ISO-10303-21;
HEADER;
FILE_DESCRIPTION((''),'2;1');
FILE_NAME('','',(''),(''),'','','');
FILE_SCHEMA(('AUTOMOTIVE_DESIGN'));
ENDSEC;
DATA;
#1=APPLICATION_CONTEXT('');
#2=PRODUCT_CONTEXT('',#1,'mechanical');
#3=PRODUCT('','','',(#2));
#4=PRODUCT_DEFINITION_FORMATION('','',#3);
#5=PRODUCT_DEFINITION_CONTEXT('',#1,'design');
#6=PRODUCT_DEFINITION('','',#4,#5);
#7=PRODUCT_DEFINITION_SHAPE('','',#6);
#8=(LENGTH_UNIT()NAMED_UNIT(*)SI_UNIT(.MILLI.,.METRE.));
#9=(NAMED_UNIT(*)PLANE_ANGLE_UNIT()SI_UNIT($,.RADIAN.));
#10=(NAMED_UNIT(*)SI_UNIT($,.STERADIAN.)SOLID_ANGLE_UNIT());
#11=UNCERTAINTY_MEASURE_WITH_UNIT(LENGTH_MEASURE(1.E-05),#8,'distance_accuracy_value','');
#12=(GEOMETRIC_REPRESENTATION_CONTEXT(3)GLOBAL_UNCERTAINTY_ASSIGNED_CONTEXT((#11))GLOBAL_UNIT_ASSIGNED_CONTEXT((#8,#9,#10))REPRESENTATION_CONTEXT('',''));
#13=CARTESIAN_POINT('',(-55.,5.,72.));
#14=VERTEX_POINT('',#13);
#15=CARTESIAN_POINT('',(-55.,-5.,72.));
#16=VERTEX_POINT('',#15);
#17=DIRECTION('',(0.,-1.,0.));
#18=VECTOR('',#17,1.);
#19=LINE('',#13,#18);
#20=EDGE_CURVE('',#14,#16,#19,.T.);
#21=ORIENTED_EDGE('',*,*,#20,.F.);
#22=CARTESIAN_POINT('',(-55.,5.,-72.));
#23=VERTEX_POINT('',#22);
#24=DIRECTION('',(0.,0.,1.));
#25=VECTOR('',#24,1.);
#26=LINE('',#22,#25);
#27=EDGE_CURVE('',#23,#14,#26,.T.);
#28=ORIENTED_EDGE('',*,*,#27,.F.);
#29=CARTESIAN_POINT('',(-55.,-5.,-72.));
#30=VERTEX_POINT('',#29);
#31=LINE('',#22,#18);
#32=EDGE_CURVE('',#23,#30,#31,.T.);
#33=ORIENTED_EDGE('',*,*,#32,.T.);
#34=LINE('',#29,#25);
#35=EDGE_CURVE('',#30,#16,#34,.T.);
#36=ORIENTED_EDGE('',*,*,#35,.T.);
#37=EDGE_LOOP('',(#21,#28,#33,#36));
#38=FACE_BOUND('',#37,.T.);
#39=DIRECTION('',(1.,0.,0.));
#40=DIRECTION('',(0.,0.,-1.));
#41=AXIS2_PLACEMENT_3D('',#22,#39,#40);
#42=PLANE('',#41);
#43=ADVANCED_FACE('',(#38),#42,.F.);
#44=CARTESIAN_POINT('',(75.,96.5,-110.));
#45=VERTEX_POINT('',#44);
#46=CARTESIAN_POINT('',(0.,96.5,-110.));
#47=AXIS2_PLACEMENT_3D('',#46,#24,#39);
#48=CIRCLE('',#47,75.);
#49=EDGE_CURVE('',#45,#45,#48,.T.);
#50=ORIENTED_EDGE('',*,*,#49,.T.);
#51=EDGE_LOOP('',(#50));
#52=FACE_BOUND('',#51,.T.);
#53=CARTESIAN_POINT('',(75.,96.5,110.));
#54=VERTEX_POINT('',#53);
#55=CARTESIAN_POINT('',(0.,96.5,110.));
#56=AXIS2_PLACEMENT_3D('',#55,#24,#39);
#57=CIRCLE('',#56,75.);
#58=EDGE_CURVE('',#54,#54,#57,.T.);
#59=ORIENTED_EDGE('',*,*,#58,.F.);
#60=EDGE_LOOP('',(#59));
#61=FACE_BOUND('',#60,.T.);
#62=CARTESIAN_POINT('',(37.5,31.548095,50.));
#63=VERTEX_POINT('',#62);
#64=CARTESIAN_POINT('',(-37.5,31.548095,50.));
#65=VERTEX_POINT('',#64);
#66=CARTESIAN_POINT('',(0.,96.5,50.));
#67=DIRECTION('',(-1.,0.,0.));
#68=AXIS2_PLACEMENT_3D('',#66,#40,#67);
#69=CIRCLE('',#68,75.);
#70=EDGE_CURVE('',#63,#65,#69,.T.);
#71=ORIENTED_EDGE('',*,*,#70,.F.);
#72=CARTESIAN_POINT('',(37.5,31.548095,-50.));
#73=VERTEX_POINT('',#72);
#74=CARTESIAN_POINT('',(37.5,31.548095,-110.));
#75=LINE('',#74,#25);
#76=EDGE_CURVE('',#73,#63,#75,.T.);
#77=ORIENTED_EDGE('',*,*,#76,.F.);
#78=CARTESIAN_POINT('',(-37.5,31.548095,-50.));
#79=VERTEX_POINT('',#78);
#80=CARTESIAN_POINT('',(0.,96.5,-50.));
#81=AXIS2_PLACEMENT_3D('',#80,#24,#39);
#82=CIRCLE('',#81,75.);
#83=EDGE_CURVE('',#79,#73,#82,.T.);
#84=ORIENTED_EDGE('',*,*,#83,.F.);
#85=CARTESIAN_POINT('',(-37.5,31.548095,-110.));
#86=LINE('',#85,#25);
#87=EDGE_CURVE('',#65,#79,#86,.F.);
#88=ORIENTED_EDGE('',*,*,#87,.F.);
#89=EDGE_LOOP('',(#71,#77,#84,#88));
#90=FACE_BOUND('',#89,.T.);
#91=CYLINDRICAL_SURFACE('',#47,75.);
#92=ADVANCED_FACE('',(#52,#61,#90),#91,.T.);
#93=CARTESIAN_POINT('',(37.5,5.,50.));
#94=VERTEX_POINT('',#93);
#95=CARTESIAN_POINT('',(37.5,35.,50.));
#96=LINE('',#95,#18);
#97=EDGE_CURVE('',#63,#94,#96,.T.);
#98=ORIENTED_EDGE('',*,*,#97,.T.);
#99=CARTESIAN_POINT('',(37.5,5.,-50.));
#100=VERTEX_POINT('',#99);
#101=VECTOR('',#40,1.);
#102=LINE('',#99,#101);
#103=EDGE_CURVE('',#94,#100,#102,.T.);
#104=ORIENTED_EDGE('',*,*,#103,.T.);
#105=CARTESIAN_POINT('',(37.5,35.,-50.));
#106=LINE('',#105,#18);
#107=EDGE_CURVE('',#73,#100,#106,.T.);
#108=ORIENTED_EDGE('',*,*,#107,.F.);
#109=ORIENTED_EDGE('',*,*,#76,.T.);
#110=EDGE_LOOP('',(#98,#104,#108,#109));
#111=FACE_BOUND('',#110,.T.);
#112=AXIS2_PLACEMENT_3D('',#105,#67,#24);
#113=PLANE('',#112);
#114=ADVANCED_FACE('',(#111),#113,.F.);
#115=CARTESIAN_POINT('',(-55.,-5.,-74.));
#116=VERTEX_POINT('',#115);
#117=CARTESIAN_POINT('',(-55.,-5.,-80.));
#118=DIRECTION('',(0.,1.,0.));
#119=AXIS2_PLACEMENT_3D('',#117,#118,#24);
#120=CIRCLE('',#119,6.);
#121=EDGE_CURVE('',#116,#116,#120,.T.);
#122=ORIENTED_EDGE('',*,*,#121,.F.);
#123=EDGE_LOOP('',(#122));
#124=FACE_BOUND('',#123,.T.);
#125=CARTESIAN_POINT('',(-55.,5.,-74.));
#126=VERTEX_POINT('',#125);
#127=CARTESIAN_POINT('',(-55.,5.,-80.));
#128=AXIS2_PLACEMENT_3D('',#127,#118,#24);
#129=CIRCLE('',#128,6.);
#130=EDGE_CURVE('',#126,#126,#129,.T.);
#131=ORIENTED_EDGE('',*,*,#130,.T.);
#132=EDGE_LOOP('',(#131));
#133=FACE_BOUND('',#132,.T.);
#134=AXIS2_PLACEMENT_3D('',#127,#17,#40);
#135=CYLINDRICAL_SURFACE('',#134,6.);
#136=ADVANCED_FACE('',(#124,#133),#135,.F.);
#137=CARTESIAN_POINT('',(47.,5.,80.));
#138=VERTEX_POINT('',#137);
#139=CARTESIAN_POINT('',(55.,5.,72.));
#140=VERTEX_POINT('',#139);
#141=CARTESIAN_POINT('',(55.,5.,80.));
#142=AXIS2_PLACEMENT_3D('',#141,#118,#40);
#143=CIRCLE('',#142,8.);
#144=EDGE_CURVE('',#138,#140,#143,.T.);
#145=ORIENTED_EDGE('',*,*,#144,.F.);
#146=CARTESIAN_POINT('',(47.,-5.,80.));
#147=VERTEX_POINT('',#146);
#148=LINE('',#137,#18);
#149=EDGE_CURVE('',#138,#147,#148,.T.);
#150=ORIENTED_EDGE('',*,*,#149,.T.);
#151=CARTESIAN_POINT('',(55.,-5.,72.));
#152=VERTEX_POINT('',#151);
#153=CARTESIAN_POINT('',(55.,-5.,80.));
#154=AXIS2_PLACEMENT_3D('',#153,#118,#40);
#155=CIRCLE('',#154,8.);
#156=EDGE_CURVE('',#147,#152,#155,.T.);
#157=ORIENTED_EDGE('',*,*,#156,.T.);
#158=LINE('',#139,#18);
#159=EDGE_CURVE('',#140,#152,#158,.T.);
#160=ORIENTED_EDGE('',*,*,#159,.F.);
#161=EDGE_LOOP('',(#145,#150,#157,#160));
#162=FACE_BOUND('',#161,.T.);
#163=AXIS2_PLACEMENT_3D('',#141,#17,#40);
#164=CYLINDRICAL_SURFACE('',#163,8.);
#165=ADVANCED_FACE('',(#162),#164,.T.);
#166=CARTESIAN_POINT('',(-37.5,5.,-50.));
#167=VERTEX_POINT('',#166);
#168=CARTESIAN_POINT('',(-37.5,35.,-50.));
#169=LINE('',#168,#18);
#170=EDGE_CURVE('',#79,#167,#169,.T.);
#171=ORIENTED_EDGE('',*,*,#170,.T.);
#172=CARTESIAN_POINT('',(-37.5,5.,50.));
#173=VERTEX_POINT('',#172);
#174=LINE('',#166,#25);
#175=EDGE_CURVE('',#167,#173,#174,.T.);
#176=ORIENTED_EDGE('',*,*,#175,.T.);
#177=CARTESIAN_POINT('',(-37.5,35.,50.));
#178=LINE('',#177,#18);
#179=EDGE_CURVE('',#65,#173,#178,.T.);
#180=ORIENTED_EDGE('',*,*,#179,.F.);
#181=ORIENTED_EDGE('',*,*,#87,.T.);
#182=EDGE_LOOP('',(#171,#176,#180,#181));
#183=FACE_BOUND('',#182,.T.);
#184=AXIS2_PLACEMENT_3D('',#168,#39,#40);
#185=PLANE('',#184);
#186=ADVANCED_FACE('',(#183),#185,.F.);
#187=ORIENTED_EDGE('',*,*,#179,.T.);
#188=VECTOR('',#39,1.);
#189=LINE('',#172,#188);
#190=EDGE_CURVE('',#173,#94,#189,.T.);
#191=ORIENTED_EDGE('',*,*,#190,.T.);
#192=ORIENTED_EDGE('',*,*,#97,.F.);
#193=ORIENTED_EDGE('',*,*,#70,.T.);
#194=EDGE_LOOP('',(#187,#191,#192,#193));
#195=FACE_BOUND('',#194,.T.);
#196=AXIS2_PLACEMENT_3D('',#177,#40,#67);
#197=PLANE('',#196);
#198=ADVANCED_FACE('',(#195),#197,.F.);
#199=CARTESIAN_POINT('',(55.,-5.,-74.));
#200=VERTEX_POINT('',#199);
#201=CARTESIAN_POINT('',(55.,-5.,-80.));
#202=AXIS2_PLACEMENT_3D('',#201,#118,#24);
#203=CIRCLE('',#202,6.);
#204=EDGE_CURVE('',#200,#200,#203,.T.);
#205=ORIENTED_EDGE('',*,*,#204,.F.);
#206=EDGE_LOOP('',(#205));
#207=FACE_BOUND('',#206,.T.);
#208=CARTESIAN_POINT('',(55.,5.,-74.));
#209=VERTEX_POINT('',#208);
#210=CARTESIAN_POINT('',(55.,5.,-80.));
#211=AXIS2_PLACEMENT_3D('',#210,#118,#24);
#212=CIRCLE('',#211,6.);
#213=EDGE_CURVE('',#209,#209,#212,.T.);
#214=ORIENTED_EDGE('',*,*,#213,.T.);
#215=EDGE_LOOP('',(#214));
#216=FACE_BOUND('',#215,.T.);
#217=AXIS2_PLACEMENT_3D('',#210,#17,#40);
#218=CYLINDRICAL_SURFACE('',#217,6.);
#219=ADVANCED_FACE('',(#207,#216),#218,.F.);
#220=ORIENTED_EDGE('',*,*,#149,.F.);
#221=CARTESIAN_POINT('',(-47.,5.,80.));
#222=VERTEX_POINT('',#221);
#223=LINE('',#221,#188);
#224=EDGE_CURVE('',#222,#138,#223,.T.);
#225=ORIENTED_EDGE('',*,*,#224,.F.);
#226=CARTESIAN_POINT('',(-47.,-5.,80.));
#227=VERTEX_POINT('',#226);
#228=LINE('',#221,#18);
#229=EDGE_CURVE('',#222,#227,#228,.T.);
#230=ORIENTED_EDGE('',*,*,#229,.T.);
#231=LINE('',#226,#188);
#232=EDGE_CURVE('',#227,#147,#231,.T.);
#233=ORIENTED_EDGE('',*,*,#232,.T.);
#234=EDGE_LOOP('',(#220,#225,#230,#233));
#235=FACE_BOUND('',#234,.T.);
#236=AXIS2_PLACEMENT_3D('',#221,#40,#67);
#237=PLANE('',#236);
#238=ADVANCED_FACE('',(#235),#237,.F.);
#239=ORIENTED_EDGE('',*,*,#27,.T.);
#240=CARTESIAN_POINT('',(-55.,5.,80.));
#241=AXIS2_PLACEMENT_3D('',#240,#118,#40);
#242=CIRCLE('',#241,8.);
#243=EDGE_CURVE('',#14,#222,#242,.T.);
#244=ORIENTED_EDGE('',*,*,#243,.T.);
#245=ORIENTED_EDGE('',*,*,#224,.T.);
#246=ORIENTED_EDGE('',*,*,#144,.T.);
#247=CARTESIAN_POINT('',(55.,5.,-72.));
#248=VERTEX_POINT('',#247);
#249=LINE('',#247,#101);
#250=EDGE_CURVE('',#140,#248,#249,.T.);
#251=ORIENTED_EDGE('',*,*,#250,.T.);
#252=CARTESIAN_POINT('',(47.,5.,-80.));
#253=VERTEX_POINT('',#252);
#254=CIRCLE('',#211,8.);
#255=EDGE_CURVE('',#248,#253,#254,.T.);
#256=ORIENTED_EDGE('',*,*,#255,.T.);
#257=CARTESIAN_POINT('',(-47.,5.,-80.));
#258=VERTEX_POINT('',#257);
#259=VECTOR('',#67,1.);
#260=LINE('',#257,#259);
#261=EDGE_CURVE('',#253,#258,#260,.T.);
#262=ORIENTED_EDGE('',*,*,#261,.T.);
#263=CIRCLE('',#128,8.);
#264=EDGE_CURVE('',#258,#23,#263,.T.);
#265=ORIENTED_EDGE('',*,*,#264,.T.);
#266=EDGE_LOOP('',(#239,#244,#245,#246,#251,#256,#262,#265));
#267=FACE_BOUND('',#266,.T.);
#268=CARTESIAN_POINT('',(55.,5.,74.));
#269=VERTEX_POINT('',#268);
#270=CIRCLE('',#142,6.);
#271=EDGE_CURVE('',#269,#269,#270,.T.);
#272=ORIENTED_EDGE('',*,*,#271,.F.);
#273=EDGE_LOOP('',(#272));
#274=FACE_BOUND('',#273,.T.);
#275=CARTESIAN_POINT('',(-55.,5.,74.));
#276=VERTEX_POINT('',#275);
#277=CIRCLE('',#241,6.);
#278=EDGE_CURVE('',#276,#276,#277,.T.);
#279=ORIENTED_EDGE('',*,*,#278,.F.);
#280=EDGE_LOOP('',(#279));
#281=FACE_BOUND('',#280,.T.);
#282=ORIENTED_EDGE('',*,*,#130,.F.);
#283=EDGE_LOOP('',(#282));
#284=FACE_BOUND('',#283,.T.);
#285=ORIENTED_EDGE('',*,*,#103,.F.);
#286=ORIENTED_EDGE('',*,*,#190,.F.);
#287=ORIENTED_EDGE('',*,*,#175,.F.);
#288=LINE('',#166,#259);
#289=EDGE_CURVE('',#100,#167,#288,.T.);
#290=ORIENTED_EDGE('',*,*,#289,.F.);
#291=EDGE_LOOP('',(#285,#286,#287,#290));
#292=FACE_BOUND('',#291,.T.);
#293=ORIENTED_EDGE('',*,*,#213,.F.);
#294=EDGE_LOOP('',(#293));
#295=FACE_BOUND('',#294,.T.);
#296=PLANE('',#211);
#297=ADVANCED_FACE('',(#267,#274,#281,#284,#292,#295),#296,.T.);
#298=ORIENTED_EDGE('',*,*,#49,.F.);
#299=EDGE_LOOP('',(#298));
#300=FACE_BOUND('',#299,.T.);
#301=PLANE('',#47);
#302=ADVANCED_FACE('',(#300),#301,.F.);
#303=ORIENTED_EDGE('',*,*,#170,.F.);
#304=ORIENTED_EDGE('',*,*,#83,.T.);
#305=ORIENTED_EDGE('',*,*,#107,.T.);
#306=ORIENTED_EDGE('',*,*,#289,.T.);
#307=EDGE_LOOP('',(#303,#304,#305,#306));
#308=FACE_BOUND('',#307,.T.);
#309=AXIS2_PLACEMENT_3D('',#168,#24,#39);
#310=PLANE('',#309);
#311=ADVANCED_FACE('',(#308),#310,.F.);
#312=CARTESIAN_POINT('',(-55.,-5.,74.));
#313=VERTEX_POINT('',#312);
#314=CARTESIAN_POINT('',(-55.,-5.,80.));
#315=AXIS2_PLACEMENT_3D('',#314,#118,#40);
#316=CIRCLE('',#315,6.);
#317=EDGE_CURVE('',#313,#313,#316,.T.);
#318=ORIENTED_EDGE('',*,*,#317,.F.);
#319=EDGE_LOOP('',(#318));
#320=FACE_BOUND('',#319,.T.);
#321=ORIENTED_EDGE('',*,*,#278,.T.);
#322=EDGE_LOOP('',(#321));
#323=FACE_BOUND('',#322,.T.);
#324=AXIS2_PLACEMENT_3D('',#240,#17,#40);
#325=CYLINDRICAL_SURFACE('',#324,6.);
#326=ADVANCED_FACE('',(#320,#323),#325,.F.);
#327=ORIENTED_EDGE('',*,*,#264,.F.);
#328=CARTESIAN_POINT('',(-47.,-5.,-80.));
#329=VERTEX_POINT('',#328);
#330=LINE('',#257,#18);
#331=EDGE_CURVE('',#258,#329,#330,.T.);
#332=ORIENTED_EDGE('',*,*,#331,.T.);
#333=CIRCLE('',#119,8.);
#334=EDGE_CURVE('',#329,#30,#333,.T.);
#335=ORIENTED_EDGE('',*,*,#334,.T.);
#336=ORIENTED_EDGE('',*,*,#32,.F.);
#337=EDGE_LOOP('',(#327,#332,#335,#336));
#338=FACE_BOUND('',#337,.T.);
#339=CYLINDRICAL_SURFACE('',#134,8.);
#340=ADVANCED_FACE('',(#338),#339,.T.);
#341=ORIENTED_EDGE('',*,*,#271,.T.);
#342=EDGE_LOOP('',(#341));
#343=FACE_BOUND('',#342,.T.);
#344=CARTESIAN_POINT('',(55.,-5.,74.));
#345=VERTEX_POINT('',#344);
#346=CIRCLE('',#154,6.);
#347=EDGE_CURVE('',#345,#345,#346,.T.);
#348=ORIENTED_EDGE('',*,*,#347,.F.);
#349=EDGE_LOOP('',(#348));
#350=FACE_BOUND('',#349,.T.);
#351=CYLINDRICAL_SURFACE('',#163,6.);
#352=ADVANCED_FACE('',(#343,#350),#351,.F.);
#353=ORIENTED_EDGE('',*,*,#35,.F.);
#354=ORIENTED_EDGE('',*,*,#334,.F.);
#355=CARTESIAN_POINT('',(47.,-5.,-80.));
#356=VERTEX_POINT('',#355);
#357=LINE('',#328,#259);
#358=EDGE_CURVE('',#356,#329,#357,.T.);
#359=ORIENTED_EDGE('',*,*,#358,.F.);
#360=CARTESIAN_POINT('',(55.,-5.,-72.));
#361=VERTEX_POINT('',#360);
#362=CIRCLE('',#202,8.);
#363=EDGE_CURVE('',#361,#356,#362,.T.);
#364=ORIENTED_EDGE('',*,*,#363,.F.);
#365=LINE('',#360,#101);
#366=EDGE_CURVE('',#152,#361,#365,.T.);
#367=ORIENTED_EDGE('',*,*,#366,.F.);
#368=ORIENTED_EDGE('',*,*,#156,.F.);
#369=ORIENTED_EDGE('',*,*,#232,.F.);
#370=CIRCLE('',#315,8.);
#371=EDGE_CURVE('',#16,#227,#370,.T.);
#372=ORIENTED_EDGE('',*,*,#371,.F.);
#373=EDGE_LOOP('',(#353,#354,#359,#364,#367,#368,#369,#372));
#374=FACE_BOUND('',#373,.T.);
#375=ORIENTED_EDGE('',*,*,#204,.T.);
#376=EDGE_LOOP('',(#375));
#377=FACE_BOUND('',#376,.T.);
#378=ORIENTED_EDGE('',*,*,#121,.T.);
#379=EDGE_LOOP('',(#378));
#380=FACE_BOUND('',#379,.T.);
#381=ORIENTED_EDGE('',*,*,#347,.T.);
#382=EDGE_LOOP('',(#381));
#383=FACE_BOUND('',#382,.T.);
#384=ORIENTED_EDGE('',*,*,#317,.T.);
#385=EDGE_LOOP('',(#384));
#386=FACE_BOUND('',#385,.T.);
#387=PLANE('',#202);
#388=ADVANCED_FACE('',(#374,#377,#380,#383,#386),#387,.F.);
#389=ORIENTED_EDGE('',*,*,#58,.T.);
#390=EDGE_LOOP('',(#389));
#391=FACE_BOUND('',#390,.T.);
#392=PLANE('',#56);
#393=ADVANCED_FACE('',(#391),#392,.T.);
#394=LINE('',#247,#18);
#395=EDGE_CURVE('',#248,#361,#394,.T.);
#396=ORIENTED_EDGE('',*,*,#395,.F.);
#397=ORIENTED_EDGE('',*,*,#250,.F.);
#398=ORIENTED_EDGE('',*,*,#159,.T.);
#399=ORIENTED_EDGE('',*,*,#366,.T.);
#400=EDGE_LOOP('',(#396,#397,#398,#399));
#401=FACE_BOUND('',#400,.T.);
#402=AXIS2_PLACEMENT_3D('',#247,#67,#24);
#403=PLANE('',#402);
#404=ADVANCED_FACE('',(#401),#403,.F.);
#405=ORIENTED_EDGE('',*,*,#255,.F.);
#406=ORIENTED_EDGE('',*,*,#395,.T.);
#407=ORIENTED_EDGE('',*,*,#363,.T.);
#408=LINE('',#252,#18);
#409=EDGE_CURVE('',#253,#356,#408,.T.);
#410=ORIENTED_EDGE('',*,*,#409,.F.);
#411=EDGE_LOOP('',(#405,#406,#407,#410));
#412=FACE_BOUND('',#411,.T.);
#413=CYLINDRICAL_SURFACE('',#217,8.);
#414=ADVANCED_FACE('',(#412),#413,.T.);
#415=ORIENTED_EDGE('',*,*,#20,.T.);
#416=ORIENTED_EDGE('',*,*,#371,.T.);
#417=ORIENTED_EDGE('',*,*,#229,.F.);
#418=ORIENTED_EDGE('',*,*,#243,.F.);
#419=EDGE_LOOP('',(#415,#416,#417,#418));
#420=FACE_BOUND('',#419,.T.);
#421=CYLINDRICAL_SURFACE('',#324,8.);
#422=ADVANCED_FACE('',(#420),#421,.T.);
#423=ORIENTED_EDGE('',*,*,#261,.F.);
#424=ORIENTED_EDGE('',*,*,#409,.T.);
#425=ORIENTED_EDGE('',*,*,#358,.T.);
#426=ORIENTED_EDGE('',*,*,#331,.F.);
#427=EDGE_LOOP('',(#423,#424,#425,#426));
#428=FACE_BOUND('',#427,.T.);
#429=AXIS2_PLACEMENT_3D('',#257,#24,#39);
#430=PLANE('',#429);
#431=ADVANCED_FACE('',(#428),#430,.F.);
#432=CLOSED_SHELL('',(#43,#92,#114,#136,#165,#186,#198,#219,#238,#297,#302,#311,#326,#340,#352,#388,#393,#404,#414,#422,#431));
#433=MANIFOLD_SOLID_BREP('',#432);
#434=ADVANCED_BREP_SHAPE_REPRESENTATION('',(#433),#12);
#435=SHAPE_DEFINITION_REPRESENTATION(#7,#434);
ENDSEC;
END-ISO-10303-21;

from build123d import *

# Parameters (mm, degrees)
SKETCH1_R                = 6
BOSS_EXTRUDE1_DEPTH      = 5
SKETCH2_W                = 75
SKETCH2_H                = 100
BOSS_EXTRUDE2_DEPTH      = 30
BOSS_EXTRUDE3_DEPTH      = 60
BOSS_EXTRUDE3_DEPTH_BACK = 160
SKETCH3_R                = 75


with BuildPart() as part:
    # Sketch1 → Boss-Extrude1 (new, symmetric)
    with BuildSketch(Plane(origin=(0, 0, 0), x_dir=(1, 0, 0), z_dir=(0, 1, 0))):
        with BuildLine():
            Line((-47, 80), (47, 80))
            ThreePointArc((47, 80), (60.656854249, 85.656854249), (55, 72))
            Line((55, 72), (55, -72))
            ThreePointArc((55, -72), (60.656854249, -85.656854249), (47, -80))
            Line((47, -80), (-47, -80))
            ThreePointArc((-47, -80), (-60.656854249, -85.656854249), (-55, -72))
            Line((-55, -72), (-55, 72))
            ThreePointArc((-55, 72), (-60.656854249, 85.656854249), (-47, 80))
        make_face()
        with Locations(Location((55, 80, 0), (0, 0, 270))):
            Circle(SKETCH1_R, mode=Mode.SUBTRACT)
        with Locations(Location((-55, 80, 0), (0, 0, 270))):
            Circle(SKETCH1_R, mode=Mode.SUBTRACT)
        with Locations(Location((55, -80, 0), (0, 0, 90))):
            Circle(SKETCH1_R, mode=Mode.SUBTRACT)
        with Locations(Location((-55, -80, 0), (0, 0, 90))):
            Circle(SKETCH1_R, mode=Mode.SUBTRACT)
    extrude(amount=BOSS_EXTRUDE1_DEPTH, both=True)

    # Sketch2 → Boss-Extrude2 (add)
    with BuildSketch(Plane(origin=(0, 5, 0), x_dir=(1, 0, 0), z_dir=(0, 1, 0))):
        Rectangle(SKETCH2_W, SKETCH2_H)
    extrude(amount=BOSS_EXTRUDE2_DEPTH)

    # Sketch3 → Boss-Extrude3 (add, two sides: drawn at the far end of the back side and taken through both)
    with BuildSketch(Plane.XY.offset(50).offset(-BOSS_EXTRUDE3_DEPTH_BACK)):
        with Locations((0, 96.5)):
            Circle(SKETCH3_R)
    extrude(amount=BOSS_EXTRUDE3_DEPTH + BOSS_EXTRUDE3_DEPTH_BACK)


solid = part.part
